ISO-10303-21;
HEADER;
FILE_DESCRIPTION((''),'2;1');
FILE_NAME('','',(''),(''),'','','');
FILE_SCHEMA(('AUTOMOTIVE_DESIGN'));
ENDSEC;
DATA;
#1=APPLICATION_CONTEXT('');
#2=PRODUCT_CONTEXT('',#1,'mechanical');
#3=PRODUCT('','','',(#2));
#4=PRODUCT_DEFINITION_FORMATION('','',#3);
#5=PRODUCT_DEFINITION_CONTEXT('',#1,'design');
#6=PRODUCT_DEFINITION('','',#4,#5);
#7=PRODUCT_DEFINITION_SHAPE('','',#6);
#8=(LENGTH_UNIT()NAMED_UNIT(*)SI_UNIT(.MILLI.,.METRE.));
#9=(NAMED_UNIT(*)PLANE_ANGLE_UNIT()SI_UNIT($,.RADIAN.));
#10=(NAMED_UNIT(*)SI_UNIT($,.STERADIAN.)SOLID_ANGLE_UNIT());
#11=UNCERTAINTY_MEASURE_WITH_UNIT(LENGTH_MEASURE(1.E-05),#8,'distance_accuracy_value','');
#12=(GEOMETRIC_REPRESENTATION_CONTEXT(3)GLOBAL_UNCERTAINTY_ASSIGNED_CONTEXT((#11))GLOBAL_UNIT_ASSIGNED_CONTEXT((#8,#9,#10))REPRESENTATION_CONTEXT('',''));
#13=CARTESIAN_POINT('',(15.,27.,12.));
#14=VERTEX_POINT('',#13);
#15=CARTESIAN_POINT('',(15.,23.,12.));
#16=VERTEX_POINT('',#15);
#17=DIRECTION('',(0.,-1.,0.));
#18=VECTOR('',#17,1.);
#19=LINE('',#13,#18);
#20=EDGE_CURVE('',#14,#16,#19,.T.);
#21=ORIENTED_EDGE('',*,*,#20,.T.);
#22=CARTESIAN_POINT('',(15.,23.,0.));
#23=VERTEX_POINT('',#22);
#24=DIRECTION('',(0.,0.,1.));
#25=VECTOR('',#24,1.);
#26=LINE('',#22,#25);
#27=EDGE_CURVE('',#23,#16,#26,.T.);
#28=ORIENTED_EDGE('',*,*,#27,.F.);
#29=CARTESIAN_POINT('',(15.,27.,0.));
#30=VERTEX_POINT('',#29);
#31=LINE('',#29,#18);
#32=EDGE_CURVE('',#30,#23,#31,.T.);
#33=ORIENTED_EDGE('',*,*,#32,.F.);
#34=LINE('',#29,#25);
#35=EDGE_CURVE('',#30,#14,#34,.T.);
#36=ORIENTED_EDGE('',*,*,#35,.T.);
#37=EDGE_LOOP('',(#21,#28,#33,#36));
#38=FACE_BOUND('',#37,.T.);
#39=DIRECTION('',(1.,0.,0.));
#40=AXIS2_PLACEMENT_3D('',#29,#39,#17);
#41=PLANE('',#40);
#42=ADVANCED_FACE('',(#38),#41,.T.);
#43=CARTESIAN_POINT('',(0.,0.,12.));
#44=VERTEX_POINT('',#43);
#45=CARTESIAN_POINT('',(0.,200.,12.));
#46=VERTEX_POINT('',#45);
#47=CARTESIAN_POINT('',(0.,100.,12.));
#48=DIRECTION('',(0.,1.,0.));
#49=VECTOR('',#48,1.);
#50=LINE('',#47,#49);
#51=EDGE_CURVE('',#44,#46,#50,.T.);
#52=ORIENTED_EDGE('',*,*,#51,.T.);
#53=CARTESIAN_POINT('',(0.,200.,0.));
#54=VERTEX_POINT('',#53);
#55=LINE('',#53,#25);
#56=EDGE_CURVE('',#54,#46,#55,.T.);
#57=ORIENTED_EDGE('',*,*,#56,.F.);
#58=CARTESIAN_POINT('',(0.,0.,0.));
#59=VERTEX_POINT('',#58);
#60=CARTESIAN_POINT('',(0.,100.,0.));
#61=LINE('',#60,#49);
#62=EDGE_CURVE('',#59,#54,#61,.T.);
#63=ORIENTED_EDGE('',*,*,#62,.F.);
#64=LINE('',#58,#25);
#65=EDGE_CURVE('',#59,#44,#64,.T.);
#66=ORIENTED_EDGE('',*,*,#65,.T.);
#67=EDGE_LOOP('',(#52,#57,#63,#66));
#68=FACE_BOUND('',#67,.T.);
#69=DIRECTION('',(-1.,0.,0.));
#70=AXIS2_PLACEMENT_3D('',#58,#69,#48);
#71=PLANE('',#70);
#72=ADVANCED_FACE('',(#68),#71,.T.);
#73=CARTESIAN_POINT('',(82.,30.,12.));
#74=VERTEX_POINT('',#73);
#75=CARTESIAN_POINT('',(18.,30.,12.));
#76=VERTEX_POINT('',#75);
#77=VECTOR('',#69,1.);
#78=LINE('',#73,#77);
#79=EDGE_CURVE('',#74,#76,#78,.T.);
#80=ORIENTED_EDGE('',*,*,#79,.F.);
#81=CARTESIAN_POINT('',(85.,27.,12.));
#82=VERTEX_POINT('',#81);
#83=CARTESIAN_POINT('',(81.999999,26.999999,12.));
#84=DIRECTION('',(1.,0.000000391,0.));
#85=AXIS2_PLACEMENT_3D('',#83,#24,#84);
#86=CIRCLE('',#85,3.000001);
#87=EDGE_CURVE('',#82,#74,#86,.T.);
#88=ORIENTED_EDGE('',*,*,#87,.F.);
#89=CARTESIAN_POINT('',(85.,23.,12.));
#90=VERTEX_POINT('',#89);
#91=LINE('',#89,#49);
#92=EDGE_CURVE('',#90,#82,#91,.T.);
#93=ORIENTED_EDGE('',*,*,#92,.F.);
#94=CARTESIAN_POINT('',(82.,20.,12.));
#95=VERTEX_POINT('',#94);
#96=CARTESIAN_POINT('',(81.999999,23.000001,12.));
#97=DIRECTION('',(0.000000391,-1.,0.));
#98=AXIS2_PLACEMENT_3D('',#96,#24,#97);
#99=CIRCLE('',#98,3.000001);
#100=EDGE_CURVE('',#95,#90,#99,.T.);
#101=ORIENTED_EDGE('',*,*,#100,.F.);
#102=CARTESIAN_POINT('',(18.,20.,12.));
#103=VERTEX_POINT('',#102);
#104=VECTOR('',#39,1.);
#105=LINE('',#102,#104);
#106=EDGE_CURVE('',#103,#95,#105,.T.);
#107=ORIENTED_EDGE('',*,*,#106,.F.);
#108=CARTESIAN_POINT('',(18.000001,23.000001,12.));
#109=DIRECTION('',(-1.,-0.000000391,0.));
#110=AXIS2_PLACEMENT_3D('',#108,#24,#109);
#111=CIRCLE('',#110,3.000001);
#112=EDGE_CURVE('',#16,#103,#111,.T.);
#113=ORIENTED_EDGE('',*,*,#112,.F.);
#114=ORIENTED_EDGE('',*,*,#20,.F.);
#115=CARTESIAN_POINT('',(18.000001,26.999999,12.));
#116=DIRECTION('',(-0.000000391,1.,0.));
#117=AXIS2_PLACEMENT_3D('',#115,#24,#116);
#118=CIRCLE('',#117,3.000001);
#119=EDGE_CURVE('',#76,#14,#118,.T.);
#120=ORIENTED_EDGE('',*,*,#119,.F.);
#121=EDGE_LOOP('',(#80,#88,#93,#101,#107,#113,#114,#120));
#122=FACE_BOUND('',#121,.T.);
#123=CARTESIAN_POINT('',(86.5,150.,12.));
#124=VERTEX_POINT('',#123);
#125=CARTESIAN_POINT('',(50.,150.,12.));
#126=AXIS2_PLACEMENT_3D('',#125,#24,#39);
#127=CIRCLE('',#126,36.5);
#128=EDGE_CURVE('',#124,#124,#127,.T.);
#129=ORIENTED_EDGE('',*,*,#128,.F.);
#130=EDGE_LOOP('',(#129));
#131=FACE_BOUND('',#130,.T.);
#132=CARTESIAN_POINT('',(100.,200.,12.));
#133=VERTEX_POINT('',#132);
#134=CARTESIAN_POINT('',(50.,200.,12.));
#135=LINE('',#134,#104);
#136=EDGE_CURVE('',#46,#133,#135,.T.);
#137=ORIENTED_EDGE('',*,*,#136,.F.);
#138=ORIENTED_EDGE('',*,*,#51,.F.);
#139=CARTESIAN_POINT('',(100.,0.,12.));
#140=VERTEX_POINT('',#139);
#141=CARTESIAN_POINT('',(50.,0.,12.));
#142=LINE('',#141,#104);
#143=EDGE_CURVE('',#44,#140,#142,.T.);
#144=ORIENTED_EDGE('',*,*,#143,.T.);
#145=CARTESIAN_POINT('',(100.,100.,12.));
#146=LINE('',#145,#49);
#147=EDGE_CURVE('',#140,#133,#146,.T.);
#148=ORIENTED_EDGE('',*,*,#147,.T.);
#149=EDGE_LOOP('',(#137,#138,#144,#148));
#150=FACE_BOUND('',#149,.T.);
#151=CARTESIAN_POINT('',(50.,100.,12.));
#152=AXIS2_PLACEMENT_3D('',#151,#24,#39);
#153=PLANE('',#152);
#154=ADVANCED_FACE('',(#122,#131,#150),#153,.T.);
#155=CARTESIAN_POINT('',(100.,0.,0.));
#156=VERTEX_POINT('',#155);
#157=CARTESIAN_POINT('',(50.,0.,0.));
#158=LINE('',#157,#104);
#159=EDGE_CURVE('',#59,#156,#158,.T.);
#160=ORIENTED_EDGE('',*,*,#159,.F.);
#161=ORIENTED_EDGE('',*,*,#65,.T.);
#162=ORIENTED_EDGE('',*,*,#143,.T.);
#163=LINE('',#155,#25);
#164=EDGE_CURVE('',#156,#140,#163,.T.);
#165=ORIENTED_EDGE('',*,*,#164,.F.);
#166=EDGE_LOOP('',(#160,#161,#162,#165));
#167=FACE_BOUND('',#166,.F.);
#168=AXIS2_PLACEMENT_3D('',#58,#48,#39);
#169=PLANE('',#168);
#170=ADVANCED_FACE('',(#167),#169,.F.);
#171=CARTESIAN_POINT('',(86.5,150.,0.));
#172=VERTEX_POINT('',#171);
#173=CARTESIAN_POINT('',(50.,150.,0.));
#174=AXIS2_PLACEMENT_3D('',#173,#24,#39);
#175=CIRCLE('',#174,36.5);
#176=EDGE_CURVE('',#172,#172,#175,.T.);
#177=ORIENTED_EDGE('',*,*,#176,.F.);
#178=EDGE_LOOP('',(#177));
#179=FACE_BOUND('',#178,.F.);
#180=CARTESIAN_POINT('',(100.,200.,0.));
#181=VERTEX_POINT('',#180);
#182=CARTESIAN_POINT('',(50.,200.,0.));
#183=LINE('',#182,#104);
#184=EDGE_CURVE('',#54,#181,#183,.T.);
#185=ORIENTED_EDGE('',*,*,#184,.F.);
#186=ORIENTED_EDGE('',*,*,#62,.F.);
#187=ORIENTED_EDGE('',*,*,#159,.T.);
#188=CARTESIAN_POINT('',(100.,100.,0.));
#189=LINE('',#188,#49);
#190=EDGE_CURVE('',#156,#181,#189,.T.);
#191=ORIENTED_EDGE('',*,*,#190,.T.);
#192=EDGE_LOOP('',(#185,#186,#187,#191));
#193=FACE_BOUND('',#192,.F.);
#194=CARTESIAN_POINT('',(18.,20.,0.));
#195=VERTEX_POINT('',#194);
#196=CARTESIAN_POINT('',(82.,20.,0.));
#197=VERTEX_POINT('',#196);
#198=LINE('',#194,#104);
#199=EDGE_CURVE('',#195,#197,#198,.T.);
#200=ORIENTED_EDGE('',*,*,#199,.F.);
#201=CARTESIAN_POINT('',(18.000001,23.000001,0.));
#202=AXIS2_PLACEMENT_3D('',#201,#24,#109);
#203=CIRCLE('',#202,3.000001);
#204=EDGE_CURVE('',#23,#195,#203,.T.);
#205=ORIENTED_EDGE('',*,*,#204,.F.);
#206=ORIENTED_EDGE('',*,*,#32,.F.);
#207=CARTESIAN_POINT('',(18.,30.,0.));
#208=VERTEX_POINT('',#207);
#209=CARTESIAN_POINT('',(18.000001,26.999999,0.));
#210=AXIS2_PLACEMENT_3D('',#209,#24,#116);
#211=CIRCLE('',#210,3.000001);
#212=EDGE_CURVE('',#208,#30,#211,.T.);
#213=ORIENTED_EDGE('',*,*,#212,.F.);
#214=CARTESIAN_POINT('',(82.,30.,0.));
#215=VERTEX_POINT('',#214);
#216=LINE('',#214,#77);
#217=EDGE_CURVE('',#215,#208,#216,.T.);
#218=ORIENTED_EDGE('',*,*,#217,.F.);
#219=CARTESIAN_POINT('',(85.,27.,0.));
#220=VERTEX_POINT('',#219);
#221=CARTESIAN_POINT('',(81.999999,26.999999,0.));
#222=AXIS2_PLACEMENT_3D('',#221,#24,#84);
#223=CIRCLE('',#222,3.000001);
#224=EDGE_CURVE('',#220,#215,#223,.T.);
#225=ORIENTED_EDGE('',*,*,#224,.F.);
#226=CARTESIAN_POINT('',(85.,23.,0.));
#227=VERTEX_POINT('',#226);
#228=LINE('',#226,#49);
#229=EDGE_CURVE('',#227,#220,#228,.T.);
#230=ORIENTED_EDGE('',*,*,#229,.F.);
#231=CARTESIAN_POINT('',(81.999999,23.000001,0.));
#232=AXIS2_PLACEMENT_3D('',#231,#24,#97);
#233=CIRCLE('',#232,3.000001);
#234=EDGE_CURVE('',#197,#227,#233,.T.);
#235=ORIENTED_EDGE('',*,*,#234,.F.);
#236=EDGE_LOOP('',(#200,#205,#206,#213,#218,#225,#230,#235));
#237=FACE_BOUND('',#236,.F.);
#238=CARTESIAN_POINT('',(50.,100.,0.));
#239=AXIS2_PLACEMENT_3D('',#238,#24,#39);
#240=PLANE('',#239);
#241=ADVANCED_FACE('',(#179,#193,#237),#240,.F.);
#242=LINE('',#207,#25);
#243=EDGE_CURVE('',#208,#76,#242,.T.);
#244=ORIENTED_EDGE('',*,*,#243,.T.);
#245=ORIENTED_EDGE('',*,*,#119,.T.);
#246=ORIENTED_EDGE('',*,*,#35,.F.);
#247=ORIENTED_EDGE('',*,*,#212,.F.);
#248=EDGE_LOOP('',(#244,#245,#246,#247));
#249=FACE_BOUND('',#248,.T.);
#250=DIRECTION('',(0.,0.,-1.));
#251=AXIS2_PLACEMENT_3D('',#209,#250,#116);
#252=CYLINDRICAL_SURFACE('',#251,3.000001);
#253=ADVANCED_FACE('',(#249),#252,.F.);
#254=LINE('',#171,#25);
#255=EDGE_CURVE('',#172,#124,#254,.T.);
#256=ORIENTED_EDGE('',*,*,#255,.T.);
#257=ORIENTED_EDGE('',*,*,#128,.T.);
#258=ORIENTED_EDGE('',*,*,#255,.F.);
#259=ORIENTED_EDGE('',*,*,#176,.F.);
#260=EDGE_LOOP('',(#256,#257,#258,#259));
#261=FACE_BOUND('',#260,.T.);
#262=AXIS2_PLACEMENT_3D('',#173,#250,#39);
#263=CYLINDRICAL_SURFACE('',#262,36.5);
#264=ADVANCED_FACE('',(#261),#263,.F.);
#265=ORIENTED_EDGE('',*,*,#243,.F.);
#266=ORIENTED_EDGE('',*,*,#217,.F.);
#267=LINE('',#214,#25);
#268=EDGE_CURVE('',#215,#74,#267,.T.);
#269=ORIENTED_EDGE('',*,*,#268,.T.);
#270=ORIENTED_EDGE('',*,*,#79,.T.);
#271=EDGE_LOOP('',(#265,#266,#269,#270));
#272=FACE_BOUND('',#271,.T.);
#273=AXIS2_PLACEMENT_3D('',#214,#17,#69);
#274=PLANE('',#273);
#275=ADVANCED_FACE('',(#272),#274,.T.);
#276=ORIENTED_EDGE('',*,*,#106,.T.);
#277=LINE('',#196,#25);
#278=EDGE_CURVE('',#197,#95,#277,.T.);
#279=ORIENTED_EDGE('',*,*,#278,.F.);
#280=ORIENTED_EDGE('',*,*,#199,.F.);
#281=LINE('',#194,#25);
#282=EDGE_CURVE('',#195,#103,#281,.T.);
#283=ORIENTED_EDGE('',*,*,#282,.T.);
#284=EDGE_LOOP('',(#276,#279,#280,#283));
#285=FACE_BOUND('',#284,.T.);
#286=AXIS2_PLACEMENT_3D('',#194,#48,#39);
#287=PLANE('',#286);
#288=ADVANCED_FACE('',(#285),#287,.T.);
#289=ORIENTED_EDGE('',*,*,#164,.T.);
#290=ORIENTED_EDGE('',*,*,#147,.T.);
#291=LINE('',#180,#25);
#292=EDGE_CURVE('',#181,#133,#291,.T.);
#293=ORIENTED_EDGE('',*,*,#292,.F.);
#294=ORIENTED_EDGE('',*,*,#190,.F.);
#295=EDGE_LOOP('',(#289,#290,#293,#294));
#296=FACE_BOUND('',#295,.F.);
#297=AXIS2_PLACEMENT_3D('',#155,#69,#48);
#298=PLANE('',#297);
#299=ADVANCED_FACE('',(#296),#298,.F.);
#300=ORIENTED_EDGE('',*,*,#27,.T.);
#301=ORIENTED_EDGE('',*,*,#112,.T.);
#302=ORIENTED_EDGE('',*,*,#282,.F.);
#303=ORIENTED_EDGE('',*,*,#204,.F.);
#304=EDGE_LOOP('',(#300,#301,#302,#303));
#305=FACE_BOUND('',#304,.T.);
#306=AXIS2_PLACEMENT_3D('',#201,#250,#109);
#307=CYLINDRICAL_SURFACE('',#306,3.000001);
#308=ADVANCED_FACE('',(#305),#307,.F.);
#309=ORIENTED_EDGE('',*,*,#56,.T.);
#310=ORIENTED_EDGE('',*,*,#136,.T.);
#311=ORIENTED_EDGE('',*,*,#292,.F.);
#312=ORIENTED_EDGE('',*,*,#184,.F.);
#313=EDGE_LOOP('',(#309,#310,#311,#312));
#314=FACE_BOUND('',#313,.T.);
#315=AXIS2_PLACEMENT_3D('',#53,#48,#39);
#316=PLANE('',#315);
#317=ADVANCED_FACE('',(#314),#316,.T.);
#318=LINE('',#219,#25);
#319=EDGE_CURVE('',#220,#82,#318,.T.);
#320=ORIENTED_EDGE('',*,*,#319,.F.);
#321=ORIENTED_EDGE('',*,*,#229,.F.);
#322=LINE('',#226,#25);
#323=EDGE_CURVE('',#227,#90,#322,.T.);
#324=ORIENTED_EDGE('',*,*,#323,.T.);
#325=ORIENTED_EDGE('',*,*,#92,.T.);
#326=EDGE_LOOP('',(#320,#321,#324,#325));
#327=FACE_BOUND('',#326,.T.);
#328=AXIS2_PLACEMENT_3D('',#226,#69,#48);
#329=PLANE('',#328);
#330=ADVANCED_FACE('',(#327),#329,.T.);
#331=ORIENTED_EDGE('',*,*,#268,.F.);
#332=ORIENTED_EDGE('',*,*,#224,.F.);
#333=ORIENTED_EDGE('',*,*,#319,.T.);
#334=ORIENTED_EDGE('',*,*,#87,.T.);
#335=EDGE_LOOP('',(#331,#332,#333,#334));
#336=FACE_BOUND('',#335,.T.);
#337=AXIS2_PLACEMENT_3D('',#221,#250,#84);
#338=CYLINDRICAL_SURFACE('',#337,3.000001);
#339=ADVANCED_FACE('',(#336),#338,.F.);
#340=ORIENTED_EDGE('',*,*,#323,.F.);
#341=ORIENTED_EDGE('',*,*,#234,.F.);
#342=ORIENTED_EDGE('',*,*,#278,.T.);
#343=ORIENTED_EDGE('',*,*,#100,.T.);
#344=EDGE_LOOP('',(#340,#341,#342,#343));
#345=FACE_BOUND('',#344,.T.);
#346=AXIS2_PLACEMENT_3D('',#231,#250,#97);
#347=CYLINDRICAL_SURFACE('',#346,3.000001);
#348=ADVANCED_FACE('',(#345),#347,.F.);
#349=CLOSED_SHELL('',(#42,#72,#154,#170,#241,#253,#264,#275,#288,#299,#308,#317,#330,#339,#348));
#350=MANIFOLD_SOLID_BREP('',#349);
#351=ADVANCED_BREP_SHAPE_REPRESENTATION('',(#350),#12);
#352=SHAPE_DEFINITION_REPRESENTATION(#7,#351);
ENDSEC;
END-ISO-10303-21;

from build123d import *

# Parameters (mm, degrees)
SKETCH_W  = 100
SKETCH_H  = 200
SKETCH_R  = 36.5
PAD_DEPTH = 12


with BuildPart() as part:
    # Sketch → Pad (new body)
    with BuildSketch(Plane.XY):
        with Locations((50, 100)):
            Rectangle(SKETCH_W, SKETCH_H)
        with Locations((50, 150)):
            Circle(SKETCH_R, mode=Mode.SUBTRACT)
        with BuildLine():
            Line((18, 20), (82, 20))
            ThreePointArc((82, 20), (84.12132, 20.87868), (85, 23))
            Line((85, 23), (85, 27))
            ThreePointArc((85, 27), (84.12132, 29.12132), (82, 30))
            Line((82, 30), (18, 30))
            ThreePointArc((18, 30), (15.87868, 29.12132), (15, 27))
            Line((15, 27), (15, 23))
            ThreePointArc((15, 23), (15.87868, 20.87868), (18, 20))
        make_face(mode=Mode.SUBTRACT)
    extrude(amount=PAD_DEPTH)


solid = part.part
